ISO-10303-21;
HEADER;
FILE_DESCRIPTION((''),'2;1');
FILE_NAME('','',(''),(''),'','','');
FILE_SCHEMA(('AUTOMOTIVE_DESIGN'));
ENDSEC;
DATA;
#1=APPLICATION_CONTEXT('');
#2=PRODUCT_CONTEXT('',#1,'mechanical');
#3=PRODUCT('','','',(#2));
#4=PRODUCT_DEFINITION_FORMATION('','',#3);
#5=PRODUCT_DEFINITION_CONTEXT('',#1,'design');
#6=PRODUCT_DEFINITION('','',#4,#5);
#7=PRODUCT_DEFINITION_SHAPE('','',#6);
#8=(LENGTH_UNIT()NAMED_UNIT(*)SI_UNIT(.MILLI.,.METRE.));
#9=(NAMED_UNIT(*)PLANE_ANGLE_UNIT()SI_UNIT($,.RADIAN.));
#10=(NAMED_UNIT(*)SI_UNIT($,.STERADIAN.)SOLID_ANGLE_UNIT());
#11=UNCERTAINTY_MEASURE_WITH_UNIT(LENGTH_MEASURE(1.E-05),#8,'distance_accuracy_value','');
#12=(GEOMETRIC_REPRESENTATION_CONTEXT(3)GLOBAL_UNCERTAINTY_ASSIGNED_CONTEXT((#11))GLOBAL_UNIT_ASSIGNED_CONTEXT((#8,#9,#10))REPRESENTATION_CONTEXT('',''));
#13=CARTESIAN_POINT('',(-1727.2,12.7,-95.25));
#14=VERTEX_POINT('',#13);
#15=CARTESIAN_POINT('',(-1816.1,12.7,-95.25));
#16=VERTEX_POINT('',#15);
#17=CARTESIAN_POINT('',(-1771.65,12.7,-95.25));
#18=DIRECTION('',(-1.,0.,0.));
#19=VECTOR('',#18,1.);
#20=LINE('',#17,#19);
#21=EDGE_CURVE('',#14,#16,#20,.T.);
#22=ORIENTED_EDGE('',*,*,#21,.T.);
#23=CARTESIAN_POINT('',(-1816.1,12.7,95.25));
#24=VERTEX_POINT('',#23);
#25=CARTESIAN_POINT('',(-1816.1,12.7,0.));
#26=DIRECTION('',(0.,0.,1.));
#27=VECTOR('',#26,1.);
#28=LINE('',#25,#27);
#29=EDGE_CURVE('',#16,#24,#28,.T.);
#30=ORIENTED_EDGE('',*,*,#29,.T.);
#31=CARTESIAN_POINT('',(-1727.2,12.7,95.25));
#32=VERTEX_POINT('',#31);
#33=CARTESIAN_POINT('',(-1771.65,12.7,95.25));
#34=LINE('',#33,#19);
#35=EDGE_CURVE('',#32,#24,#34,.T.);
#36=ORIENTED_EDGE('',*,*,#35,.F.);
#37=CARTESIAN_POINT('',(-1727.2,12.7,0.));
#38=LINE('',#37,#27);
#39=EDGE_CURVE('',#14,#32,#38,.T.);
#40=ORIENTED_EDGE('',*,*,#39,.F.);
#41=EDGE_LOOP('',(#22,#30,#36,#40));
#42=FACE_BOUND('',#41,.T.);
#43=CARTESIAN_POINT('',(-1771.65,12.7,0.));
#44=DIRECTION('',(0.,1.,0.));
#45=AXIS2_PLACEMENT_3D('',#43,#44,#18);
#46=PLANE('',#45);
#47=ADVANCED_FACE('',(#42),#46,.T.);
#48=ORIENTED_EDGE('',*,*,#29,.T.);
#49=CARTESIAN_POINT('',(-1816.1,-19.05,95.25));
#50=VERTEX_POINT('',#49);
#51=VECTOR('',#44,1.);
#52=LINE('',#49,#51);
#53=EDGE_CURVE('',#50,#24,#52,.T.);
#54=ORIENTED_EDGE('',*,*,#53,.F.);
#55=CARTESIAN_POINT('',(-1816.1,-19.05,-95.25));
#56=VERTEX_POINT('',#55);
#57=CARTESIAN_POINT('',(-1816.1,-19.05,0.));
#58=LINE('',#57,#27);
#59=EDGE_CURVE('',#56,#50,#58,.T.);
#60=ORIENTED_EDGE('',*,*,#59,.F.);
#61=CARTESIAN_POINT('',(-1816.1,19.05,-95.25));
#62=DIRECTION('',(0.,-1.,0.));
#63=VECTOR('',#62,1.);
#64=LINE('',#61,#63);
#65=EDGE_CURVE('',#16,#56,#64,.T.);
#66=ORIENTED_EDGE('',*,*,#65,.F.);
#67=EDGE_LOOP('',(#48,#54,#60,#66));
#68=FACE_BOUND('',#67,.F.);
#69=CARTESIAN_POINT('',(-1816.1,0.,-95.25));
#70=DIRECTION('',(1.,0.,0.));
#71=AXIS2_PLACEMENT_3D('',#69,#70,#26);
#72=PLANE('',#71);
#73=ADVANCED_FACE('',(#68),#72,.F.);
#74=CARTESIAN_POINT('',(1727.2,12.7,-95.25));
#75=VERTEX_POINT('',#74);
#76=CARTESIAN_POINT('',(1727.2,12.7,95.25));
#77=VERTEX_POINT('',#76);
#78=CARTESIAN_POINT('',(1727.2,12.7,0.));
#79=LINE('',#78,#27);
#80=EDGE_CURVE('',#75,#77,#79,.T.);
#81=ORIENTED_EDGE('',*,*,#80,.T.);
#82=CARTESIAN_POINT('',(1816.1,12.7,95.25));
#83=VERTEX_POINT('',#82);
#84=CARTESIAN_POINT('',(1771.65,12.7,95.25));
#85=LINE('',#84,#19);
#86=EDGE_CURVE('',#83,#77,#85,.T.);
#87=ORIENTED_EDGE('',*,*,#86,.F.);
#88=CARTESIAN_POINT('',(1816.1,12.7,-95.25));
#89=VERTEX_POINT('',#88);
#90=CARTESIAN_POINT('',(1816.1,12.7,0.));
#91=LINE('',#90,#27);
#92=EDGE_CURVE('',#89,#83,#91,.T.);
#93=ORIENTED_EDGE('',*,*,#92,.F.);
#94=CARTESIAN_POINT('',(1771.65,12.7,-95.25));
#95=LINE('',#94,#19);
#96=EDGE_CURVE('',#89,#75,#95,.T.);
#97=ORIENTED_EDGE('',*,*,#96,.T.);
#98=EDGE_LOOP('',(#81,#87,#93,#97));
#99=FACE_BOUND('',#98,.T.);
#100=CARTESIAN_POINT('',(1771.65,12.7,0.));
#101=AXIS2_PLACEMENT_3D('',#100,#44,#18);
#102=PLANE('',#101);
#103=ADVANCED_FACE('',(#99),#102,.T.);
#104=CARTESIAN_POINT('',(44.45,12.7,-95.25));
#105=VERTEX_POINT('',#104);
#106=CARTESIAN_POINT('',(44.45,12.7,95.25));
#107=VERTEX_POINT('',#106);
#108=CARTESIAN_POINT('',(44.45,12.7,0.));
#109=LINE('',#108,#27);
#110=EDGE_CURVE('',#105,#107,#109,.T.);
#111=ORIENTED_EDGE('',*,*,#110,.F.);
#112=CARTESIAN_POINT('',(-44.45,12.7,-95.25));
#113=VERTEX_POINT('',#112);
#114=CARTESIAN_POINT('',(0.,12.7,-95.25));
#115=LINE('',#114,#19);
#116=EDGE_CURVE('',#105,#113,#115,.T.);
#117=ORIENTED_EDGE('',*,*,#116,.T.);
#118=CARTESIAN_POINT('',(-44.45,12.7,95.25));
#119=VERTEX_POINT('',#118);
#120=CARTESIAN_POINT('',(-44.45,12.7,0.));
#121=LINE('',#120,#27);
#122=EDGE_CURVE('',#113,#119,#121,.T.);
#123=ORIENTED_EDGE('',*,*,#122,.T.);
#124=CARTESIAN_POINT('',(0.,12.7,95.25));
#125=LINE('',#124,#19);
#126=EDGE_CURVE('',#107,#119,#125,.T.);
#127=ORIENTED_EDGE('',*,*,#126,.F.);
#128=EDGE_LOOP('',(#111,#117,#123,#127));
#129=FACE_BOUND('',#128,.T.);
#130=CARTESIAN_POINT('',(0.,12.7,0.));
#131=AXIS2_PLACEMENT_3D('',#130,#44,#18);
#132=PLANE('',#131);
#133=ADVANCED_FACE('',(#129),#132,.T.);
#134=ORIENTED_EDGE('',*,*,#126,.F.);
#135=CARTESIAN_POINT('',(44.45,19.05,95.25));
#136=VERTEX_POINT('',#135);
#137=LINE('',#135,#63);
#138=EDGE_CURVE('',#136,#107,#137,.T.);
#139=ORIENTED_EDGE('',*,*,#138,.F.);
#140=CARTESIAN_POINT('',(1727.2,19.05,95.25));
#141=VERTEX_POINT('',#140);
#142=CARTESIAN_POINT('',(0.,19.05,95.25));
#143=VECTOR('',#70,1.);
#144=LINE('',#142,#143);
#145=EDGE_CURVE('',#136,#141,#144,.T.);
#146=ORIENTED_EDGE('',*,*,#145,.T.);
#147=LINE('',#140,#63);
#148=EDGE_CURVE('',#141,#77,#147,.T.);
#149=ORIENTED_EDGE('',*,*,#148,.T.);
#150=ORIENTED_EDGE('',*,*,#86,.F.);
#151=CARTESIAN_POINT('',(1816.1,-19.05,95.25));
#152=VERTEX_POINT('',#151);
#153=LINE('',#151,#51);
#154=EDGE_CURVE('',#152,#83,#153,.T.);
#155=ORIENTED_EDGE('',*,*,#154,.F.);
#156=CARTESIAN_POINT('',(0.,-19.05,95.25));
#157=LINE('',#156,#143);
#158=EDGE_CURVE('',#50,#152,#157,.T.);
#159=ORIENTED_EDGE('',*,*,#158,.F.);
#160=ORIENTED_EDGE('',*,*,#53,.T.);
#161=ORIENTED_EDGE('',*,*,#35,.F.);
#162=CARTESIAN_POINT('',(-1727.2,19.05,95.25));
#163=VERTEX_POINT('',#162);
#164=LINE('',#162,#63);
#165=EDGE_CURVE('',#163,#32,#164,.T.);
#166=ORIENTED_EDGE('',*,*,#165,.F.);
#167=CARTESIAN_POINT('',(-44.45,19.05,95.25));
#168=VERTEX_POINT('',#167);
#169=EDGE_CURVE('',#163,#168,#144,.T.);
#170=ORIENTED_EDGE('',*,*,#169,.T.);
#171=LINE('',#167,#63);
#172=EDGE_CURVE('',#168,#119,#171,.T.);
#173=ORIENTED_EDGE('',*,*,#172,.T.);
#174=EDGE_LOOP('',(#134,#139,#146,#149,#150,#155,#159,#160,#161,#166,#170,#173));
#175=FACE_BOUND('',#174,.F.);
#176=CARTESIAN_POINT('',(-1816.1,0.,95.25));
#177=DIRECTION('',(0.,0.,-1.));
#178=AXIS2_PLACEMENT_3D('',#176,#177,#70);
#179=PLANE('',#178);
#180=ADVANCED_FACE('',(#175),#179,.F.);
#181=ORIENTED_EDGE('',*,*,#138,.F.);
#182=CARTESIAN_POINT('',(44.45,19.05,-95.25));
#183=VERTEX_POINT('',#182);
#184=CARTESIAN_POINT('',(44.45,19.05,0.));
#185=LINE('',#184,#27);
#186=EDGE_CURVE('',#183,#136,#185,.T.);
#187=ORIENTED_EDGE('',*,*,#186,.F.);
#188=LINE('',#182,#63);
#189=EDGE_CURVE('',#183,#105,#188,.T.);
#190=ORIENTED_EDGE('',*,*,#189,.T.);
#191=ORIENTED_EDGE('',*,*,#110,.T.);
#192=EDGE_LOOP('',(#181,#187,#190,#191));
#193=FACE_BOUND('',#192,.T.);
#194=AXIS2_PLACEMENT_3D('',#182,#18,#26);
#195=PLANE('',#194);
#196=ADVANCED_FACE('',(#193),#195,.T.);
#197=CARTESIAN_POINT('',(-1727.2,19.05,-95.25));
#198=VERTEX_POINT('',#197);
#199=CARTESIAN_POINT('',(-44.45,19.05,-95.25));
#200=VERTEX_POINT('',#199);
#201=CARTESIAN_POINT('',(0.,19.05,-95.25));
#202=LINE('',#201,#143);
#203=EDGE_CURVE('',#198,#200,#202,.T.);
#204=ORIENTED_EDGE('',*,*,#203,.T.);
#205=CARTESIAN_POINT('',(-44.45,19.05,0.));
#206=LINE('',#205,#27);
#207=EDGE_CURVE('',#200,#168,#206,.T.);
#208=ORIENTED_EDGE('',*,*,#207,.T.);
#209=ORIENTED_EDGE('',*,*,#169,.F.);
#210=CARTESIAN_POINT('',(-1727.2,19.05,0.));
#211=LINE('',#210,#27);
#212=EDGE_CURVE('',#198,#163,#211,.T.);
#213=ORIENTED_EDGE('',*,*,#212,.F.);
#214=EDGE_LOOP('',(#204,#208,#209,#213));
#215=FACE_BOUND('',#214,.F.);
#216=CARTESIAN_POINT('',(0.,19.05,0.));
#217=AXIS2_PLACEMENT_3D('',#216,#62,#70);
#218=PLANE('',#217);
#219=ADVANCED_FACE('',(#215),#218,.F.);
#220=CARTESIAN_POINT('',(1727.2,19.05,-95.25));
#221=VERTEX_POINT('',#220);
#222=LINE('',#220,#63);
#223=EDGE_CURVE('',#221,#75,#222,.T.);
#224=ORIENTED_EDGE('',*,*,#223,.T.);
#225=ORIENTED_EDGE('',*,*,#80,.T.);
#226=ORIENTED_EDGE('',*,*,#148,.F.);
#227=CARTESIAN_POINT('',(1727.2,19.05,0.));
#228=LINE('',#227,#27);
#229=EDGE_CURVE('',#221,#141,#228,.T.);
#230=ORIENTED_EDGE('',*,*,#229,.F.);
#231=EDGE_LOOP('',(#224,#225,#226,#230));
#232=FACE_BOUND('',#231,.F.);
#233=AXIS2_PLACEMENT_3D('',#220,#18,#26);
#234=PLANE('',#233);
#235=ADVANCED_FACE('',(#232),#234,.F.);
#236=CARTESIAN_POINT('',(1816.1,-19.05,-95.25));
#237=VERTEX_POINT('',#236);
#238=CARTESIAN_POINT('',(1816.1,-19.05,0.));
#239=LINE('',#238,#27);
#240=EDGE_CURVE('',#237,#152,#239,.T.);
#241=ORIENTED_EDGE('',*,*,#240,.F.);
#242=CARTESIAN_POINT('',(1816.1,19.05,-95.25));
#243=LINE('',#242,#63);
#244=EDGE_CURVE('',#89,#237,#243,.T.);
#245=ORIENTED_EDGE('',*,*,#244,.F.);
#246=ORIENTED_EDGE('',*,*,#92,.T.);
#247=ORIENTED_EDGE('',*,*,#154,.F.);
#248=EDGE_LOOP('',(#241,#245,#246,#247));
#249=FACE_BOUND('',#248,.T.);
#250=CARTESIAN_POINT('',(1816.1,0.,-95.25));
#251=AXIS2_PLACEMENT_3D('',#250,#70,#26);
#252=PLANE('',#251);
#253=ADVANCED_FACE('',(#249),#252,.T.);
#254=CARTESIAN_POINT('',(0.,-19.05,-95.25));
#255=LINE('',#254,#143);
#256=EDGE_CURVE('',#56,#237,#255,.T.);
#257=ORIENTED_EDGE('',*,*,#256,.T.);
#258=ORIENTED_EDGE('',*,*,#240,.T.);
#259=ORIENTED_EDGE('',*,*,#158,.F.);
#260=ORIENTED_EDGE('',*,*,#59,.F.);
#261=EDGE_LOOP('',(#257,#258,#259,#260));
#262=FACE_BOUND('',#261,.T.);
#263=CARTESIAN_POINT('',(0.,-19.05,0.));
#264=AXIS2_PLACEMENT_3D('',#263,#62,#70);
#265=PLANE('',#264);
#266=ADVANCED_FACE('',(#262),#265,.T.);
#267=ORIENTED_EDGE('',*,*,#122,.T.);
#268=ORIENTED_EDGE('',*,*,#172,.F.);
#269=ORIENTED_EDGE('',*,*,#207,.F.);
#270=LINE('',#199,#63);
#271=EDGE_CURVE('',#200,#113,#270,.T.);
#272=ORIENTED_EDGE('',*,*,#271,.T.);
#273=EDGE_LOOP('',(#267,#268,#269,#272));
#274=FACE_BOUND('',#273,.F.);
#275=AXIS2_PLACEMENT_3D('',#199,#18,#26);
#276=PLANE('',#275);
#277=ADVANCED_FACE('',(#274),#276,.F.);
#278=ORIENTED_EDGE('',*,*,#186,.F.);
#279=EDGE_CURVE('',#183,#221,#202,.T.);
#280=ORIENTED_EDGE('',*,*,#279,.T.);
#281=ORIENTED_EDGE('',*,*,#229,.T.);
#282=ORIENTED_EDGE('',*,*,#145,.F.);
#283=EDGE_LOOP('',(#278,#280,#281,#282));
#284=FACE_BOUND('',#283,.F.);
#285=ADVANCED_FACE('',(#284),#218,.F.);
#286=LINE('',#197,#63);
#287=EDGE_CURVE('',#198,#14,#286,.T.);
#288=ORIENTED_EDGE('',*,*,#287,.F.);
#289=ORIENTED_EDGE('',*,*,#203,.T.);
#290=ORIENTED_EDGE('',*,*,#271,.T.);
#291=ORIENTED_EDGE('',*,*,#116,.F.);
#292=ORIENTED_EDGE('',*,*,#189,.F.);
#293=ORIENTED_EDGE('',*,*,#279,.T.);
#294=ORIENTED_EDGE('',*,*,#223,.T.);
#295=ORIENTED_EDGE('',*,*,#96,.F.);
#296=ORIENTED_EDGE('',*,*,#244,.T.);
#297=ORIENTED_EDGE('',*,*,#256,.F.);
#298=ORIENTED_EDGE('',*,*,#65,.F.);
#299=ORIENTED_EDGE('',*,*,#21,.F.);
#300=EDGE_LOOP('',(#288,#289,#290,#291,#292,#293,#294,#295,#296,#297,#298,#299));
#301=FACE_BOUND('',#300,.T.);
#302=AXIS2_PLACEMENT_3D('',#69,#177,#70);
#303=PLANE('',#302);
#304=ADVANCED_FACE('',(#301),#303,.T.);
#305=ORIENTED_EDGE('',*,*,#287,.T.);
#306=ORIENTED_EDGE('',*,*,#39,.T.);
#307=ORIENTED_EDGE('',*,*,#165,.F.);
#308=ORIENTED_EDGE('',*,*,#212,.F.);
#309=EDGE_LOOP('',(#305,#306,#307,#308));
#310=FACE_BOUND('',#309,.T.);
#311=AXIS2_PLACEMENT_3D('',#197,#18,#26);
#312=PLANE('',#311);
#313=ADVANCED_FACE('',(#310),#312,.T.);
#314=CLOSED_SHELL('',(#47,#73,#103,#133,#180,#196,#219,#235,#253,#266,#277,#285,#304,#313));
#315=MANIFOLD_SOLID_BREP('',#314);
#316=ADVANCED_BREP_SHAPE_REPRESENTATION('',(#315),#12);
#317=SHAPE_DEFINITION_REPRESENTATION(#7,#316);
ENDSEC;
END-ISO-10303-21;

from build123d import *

# Parameters (mm, degrees)
F0_W     = 3632.2
F0_H     = 190.5
F1_DEPTH = 19.05
F2_W     = 88.9
F2_H     = 190.5
F3_DEPTH = 6.35


with BuildPart() as f1:
    # F0 (on Front) → F1 (new body, symmetric)
    with BuildSketch(Plane.XZ):
        Rectangle(F0_W, F0_H)
    extrude(amount=F1_DEPTH, both=True)

    # F2 (on face) → F3 (cut)
    with BuildSketch(Plane(origin=(0, 19.05, 0), x_dir=(-1, 0, 0), z_dir=(0, 1, 0))):
        with Locations((-1771.65, 0)):
            Rectangle(F2_W, F2_H)
        Rectangle(F2_W, F2_H)
        with Locations((1771.65, 0)):
            Rectangle(F2_W, F2_H)
    extrude(amount=-F3_DEPTH, mode=Mode.SUBTRACT)


solid = f1.part
